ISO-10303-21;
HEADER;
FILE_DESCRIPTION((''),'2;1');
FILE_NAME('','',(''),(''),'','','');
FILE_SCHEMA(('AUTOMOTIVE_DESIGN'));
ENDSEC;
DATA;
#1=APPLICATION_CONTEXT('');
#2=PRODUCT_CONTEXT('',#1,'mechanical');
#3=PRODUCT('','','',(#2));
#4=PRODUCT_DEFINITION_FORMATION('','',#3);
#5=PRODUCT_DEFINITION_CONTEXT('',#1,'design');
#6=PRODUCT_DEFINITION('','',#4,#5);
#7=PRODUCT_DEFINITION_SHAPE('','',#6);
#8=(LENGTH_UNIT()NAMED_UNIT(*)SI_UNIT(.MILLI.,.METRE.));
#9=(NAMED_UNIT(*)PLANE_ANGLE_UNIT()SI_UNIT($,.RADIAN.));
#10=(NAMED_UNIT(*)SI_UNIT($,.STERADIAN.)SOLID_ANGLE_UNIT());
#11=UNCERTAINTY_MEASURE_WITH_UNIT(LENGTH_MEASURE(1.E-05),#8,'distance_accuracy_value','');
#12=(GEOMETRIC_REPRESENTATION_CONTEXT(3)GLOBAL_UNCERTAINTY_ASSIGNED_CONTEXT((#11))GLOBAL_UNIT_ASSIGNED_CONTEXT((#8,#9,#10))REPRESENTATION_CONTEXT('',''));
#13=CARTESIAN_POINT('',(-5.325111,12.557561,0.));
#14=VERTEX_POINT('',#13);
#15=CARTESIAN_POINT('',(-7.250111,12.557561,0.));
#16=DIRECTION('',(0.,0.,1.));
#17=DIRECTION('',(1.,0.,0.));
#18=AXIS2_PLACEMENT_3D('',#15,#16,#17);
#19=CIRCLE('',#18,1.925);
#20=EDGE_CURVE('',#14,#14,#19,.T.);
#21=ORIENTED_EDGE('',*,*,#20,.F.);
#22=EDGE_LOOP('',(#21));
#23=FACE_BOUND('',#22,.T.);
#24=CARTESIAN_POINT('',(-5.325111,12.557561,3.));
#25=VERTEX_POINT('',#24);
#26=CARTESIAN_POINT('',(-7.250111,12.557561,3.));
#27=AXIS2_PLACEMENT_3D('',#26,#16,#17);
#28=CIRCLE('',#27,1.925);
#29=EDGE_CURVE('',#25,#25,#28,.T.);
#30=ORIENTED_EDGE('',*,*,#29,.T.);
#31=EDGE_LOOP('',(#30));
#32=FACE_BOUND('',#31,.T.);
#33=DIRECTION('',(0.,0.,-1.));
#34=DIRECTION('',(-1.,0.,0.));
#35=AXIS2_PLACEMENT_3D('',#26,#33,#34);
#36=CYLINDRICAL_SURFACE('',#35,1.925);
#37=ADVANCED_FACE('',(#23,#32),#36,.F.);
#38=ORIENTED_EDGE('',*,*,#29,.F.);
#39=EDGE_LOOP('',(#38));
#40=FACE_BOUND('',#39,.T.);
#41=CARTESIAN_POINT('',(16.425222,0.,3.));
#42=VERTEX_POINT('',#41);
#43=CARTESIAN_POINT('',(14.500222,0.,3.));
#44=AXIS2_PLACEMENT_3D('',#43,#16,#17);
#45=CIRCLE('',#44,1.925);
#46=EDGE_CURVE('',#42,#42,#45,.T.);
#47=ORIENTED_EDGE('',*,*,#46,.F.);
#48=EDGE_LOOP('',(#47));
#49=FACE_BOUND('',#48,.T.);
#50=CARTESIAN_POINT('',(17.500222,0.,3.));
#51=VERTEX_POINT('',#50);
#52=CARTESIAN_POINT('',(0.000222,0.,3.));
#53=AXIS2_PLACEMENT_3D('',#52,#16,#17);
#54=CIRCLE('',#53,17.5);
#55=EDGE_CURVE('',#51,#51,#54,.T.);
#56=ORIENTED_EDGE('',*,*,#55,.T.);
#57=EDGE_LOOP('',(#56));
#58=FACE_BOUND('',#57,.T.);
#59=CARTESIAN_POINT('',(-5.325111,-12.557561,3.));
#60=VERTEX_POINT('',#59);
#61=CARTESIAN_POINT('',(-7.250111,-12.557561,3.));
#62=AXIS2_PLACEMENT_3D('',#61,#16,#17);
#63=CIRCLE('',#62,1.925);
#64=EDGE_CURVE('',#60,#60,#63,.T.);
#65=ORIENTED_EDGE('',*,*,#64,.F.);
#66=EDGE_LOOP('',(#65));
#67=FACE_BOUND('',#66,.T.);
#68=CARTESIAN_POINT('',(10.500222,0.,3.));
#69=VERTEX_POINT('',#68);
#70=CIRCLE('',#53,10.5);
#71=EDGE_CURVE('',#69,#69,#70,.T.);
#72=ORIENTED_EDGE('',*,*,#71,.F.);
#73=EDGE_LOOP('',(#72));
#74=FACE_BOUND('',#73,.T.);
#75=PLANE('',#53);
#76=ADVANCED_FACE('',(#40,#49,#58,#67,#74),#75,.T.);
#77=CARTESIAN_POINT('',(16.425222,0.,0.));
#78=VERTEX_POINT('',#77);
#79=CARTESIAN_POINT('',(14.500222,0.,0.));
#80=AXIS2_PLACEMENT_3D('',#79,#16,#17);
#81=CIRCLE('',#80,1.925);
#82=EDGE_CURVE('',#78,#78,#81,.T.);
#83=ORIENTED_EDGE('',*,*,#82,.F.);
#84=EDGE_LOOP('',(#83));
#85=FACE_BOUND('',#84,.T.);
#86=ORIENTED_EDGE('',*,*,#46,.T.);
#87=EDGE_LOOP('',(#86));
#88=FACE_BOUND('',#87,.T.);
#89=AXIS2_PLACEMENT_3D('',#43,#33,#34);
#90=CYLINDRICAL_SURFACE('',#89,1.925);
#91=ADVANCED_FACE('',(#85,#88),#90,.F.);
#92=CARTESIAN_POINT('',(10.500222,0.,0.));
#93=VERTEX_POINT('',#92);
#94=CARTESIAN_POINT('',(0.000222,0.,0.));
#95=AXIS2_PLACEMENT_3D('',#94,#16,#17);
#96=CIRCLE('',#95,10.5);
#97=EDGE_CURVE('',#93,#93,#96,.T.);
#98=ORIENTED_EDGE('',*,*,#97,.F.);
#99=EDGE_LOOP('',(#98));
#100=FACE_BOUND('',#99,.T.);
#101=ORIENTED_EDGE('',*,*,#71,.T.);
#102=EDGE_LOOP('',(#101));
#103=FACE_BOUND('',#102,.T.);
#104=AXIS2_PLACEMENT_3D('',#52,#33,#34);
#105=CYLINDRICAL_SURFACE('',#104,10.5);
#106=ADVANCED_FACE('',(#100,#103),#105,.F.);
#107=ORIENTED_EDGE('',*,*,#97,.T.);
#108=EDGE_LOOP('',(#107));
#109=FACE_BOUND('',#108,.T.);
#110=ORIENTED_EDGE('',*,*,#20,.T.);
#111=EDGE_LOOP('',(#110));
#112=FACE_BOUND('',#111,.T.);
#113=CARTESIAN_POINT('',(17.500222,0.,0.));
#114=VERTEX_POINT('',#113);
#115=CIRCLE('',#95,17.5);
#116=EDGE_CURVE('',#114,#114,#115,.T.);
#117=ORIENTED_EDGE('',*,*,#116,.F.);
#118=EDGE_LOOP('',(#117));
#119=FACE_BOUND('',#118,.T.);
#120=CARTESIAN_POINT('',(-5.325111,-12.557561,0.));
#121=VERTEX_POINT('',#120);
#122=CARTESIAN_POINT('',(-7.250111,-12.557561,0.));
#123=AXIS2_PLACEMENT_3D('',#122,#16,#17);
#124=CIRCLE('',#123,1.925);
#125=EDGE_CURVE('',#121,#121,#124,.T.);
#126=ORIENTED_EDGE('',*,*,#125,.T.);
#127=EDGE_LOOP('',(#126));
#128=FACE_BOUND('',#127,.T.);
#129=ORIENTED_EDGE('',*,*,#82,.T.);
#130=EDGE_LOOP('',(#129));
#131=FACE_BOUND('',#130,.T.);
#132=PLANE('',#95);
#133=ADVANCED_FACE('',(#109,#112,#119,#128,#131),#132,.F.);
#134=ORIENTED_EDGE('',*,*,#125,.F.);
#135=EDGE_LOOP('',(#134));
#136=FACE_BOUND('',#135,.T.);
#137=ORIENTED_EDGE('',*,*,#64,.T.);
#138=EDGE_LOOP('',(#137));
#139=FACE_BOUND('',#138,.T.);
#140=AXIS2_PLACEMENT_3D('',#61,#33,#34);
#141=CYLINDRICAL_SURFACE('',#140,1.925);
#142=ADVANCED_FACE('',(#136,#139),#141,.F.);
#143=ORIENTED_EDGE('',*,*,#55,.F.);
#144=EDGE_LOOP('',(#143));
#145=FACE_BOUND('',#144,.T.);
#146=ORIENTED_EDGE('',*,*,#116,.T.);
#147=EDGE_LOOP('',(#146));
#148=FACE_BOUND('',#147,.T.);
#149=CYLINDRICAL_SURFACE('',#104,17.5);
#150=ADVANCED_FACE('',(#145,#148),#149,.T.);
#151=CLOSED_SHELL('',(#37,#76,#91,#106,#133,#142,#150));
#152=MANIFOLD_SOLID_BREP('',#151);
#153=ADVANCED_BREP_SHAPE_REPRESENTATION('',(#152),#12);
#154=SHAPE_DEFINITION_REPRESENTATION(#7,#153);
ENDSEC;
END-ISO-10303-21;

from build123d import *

# Parameters (mm, degrees)
ESQUISSE1_R        = 17.5
ESQUISSE1_R_2      = 1.925
ESQUISSE1_R_3      = 10.5
BOSS_EXTRU_1_DEPTH = 3


with BuildPart() as part:
    # Esquisse1 → Boss.-Extru.1 (new body)
    with BuildSketch(Plane.XY):
        with Locations((0.000221946, 0)):
            Circle(ESQUISSE1_R)
        with Locations((-7.250110973, -12.557560565)):
            Circle(ESQUISSE1_R_2, mode=Mode.SUBTRACT)
        with Locations((-7.250110973, 12.557560565)):
            Circle(ESQUISSE1_R_2, mode=Mode.SUBTRACT)
        with Locations((0.000221946, 0)):
            Circle(ESQUISSE1_R_3, mode=Mode.SUBTRACT)
        with Locations((14.500221946, 0)):
            Circle(ESQUISSE1_R_2, mode=Mode.SUBTRACT)
    extrude(amount=BOSS_EXTRU_1_DEPTH)


solid = part.part
